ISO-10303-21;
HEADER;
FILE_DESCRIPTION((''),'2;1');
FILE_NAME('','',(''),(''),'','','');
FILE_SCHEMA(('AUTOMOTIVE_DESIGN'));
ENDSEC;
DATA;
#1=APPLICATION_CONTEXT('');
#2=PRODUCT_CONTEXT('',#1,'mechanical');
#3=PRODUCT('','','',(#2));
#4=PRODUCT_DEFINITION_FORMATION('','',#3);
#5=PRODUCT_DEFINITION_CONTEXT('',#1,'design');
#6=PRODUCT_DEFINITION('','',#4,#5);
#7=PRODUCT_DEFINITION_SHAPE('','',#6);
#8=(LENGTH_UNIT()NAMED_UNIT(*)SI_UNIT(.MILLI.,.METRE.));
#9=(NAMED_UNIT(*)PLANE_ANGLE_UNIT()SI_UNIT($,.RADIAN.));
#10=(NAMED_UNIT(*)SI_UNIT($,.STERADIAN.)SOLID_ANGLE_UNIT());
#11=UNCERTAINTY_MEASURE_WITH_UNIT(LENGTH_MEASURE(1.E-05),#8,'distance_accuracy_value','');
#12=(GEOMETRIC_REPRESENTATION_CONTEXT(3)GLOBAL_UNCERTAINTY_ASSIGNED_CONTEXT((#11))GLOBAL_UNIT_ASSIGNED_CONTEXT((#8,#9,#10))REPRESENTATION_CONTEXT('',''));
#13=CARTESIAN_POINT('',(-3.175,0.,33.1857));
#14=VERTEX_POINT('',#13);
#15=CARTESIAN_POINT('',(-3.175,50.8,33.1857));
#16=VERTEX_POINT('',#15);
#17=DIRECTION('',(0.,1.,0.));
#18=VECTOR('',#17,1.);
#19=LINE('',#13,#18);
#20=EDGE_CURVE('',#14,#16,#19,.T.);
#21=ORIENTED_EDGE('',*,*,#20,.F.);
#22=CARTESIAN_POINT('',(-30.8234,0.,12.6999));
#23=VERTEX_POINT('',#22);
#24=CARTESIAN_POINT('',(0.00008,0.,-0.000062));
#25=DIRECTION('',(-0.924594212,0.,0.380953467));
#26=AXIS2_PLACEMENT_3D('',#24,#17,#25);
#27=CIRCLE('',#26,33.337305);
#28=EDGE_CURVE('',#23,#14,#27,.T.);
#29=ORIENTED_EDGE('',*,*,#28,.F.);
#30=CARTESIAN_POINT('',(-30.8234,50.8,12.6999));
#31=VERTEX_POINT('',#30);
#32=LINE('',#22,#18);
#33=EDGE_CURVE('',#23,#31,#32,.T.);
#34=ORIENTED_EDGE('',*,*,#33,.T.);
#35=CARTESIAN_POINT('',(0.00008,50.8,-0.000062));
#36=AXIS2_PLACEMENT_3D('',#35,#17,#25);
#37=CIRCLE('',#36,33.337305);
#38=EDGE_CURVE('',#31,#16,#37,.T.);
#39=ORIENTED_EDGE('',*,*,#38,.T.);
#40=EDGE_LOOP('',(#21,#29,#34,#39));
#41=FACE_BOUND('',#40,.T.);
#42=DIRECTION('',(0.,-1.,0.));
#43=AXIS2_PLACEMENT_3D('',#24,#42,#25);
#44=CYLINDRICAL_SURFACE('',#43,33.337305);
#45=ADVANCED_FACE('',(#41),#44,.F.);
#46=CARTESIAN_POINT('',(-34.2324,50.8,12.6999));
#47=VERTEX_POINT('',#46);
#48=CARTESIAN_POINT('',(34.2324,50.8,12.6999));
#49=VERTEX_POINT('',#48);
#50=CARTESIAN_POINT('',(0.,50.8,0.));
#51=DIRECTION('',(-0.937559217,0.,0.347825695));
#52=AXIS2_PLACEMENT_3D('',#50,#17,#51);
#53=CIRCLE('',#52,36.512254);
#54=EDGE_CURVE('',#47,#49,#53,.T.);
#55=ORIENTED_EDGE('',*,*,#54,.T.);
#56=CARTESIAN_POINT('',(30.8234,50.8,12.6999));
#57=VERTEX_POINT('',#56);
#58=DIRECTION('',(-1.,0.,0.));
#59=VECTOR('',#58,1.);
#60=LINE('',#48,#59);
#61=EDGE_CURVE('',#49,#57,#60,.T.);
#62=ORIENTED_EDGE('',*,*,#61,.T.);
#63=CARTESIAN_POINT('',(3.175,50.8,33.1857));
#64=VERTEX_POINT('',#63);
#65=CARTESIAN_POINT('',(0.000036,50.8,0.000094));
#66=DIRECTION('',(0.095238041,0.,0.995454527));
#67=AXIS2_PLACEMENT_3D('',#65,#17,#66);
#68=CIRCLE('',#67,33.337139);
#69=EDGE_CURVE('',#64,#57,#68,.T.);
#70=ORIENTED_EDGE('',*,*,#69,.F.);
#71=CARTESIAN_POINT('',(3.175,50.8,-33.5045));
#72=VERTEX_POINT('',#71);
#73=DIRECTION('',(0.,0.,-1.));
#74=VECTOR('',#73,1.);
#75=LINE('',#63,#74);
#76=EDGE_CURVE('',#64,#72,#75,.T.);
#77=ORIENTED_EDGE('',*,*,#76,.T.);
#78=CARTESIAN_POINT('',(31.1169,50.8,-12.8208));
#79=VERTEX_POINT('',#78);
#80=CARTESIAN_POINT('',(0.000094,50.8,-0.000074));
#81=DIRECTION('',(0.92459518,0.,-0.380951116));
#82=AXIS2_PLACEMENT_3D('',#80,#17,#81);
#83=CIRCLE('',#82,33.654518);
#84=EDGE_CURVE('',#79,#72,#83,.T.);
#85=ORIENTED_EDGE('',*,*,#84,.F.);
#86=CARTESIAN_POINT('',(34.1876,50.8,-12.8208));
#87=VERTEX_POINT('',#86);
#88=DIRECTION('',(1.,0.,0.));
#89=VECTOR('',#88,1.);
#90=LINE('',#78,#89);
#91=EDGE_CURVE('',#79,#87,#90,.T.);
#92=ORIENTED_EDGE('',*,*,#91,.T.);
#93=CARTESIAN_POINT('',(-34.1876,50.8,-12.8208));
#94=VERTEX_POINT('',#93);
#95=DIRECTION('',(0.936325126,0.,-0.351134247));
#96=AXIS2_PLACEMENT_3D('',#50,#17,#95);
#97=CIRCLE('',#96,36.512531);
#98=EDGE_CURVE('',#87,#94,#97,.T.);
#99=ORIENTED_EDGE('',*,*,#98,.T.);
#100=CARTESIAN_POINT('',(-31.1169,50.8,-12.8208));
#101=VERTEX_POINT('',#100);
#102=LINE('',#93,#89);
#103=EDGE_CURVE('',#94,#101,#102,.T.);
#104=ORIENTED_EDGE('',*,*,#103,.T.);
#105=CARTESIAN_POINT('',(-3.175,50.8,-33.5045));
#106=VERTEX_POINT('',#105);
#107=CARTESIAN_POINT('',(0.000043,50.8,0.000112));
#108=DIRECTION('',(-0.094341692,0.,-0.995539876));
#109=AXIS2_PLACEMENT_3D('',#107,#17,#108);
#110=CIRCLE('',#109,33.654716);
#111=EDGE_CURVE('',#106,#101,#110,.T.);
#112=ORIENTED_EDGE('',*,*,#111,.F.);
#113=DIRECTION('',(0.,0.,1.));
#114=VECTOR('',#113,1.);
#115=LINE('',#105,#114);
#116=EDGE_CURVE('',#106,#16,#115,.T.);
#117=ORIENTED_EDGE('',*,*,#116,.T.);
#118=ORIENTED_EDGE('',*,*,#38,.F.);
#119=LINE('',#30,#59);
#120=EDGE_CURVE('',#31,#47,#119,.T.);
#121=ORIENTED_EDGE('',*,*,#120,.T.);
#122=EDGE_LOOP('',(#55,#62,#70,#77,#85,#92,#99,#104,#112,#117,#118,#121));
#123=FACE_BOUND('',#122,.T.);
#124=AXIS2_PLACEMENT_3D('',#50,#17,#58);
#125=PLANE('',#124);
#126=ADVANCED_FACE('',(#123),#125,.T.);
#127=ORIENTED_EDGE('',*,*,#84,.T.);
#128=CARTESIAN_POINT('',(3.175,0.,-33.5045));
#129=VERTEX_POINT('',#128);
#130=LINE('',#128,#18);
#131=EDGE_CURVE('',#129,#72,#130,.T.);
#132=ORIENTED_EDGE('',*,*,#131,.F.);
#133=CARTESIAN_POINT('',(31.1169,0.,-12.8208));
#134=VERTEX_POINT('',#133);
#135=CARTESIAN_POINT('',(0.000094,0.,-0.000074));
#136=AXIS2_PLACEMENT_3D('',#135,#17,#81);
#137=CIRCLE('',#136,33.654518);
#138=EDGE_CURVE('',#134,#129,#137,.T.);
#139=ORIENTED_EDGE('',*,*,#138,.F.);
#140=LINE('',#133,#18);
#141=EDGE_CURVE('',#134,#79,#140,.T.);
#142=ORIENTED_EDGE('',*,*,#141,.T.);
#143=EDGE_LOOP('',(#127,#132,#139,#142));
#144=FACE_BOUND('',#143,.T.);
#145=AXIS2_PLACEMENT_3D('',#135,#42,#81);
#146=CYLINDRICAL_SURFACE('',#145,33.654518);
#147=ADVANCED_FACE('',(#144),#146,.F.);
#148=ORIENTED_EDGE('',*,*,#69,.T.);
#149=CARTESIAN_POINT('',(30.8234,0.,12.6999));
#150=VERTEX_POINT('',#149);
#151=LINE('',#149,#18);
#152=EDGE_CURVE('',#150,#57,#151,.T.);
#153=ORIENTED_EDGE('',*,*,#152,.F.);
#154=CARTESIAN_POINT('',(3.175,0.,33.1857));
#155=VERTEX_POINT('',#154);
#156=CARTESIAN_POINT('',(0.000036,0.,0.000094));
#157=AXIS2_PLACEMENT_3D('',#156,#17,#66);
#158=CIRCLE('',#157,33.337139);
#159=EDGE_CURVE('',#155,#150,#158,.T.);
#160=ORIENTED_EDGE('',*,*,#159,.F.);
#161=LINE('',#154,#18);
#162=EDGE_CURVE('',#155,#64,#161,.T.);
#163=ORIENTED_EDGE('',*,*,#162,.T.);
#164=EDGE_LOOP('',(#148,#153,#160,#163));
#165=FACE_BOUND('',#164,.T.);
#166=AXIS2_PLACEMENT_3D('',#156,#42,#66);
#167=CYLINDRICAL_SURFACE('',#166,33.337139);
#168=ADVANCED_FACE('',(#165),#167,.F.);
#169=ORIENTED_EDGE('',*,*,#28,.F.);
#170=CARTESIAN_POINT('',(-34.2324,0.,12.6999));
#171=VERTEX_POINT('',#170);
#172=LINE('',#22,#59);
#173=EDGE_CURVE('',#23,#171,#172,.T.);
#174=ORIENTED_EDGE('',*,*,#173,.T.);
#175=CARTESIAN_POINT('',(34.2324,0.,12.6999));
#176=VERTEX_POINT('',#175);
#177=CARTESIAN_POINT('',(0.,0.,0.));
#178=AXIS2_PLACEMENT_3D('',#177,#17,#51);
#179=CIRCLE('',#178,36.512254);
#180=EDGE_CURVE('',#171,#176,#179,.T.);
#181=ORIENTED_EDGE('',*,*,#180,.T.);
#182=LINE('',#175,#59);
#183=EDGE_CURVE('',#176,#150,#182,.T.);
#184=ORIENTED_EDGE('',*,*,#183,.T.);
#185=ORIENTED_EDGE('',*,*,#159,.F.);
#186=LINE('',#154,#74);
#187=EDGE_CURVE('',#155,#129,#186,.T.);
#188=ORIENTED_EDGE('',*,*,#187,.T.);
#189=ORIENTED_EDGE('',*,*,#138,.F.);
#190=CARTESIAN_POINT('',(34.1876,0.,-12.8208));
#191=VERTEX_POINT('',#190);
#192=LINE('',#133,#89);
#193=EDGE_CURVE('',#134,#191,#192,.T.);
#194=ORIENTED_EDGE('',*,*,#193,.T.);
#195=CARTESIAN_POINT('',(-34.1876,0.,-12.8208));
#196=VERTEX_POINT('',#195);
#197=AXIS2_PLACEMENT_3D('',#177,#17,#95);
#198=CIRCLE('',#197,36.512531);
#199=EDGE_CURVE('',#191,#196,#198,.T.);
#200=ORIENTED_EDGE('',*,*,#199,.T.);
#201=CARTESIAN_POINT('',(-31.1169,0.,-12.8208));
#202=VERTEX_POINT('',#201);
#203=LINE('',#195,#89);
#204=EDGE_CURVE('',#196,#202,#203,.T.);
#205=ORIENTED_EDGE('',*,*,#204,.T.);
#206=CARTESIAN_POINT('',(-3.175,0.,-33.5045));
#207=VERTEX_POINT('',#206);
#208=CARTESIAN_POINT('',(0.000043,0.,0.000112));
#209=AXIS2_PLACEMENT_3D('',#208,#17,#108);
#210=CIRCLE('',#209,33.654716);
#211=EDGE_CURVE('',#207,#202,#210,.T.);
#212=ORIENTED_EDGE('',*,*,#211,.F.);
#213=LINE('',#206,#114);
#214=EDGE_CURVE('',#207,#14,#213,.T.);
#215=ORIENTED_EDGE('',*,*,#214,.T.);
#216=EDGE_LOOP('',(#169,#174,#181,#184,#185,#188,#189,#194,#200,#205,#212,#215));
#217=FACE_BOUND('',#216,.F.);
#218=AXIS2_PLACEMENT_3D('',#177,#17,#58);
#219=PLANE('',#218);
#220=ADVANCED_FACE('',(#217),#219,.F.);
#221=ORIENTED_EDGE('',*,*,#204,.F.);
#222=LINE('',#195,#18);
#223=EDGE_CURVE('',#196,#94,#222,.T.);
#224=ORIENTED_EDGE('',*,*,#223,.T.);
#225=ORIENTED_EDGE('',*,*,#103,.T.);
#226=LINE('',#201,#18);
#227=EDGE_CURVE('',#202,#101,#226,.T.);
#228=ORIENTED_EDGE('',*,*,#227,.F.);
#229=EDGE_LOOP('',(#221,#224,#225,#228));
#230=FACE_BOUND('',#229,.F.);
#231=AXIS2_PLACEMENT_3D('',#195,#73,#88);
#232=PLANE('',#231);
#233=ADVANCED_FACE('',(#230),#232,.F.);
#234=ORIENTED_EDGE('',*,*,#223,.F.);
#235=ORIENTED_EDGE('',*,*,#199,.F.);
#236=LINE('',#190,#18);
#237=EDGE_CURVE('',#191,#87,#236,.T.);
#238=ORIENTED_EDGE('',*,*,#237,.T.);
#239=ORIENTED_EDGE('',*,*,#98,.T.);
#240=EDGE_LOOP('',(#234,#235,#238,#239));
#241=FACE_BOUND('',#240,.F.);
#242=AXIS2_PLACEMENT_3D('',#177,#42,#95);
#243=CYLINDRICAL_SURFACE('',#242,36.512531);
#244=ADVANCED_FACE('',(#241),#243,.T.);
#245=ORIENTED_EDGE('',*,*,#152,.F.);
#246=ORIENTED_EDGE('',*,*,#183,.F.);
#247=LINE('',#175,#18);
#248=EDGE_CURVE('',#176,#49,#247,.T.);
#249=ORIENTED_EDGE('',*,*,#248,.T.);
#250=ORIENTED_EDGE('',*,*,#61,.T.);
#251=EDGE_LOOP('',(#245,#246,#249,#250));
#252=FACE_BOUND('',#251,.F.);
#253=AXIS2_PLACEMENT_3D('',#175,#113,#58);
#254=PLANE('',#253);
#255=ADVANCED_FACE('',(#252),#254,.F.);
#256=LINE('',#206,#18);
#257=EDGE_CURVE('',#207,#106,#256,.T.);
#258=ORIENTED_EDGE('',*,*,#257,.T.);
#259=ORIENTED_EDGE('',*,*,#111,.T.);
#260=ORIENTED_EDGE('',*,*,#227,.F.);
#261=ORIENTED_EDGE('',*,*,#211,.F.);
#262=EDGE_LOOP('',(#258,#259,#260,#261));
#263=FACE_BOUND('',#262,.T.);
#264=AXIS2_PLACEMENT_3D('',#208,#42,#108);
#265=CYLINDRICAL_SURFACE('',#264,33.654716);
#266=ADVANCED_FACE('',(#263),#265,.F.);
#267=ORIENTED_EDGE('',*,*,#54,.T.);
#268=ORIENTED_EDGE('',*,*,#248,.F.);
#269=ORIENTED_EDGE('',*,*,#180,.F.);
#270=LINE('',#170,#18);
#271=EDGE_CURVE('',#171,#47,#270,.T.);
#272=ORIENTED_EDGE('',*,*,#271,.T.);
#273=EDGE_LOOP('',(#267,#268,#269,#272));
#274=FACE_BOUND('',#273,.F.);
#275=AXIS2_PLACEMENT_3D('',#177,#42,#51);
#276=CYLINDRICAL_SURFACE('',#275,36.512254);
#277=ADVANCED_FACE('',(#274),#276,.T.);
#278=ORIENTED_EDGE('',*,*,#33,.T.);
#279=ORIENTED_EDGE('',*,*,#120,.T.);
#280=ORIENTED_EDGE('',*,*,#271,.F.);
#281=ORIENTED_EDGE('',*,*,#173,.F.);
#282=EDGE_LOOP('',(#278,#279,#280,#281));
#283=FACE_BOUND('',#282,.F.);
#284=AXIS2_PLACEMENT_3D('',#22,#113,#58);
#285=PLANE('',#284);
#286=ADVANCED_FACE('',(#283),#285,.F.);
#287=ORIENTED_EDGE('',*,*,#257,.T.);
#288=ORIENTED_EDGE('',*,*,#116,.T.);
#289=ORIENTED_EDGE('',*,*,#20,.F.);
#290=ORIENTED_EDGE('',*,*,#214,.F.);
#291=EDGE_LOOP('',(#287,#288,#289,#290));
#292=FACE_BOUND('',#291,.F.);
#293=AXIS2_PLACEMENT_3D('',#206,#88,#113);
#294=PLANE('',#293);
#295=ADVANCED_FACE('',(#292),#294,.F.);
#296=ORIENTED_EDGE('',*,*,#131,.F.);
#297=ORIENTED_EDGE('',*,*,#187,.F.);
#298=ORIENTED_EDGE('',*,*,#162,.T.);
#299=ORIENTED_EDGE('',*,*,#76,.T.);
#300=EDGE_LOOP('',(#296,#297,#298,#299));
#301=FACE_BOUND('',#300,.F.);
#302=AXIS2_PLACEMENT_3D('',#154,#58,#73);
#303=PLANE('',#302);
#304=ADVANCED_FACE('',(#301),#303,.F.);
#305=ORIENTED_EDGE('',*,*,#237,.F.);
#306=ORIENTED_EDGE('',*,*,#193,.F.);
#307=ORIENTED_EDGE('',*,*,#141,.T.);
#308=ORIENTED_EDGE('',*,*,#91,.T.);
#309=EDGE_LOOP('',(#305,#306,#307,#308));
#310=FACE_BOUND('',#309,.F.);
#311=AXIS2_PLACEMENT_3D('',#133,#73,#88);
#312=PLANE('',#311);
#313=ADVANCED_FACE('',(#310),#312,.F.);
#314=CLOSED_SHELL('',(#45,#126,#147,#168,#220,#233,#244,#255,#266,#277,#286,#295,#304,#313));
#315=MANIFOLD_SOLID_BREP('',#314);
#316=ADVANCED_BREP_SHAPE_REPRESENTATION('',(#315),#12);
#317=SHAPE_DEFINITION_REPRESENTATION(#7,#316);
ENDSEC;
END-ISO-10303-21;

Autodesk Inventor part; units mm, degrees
ref_plane "YZ Plane" through (0, 0, 0) normal (1, 0, 0) x (0, 1, 0)
ref_plane "XZ Plane" through (0, 0, 0) normal (0, 1, 0) x (-1, 0, 0)
ref_plane "XY Plane" through (0, 0, 0) normal (0, 0, 1) x (1, 0, 0)
sketch "Sketch1" plane through (0, 0, 0) normal (0, 1, 0) x (-1, 0, 0)
  line L0 (-47.0591, 0) -> (40.0927, 0) construction
  line L1 (0, 56.4222) -> (0, -48.8199) construction
  arc A0 (34.2324, 12.6999) -> (-34.2324, 12.6999) centre (0, 0) ccw
  arc A1 (-34.1876, -12.8208) -> (34.1876, -12.8208) centre (0, 0) ccw
  line L2 (-34.2324, 12.6999) -> (-30.8234, 12.6999)
  line L3 (30.8234, 12.6999) -> (34.2324, 12.6999)
  line L4 (34.1876, -12.8208) -> (31.1169, -12.8208)
  line L5 (-31.1169, -12.8208) -> (-34.1876, -12.8208)
  line L6 (-3.175, 33.1857) -> (-3.175, -33.5045)
  arc A2 (30.8234, 12.6999) -> (3.175, 33.1857) centre (0, 0) ccw
  arc A3 (-3.175, 33.1857) -> (-30.8234, 12.6999) centre (0, 0) ccw
  line L7 (3.175, -33.5045) -> (3.175, 33.1857)
  arc A4 (-31.1169, -12.8208) -> (-3.175, -33.5045) centre (0, 0) ccw
  arc A5 (3.175, -33.5045) -> (31.1169, -12.8208) centre (0, 0) ccw
  dimension "d16" = 3.175
  dimension "d17" = 3.175
extrude "Extrusion1" add sketch "Sketch1" along normal blind 50.8
equation "\"d13\" = 0.5 * d11"
equation "\"d11\" = 25.4"
properties part number "Electronics_Bay_2Inch"
